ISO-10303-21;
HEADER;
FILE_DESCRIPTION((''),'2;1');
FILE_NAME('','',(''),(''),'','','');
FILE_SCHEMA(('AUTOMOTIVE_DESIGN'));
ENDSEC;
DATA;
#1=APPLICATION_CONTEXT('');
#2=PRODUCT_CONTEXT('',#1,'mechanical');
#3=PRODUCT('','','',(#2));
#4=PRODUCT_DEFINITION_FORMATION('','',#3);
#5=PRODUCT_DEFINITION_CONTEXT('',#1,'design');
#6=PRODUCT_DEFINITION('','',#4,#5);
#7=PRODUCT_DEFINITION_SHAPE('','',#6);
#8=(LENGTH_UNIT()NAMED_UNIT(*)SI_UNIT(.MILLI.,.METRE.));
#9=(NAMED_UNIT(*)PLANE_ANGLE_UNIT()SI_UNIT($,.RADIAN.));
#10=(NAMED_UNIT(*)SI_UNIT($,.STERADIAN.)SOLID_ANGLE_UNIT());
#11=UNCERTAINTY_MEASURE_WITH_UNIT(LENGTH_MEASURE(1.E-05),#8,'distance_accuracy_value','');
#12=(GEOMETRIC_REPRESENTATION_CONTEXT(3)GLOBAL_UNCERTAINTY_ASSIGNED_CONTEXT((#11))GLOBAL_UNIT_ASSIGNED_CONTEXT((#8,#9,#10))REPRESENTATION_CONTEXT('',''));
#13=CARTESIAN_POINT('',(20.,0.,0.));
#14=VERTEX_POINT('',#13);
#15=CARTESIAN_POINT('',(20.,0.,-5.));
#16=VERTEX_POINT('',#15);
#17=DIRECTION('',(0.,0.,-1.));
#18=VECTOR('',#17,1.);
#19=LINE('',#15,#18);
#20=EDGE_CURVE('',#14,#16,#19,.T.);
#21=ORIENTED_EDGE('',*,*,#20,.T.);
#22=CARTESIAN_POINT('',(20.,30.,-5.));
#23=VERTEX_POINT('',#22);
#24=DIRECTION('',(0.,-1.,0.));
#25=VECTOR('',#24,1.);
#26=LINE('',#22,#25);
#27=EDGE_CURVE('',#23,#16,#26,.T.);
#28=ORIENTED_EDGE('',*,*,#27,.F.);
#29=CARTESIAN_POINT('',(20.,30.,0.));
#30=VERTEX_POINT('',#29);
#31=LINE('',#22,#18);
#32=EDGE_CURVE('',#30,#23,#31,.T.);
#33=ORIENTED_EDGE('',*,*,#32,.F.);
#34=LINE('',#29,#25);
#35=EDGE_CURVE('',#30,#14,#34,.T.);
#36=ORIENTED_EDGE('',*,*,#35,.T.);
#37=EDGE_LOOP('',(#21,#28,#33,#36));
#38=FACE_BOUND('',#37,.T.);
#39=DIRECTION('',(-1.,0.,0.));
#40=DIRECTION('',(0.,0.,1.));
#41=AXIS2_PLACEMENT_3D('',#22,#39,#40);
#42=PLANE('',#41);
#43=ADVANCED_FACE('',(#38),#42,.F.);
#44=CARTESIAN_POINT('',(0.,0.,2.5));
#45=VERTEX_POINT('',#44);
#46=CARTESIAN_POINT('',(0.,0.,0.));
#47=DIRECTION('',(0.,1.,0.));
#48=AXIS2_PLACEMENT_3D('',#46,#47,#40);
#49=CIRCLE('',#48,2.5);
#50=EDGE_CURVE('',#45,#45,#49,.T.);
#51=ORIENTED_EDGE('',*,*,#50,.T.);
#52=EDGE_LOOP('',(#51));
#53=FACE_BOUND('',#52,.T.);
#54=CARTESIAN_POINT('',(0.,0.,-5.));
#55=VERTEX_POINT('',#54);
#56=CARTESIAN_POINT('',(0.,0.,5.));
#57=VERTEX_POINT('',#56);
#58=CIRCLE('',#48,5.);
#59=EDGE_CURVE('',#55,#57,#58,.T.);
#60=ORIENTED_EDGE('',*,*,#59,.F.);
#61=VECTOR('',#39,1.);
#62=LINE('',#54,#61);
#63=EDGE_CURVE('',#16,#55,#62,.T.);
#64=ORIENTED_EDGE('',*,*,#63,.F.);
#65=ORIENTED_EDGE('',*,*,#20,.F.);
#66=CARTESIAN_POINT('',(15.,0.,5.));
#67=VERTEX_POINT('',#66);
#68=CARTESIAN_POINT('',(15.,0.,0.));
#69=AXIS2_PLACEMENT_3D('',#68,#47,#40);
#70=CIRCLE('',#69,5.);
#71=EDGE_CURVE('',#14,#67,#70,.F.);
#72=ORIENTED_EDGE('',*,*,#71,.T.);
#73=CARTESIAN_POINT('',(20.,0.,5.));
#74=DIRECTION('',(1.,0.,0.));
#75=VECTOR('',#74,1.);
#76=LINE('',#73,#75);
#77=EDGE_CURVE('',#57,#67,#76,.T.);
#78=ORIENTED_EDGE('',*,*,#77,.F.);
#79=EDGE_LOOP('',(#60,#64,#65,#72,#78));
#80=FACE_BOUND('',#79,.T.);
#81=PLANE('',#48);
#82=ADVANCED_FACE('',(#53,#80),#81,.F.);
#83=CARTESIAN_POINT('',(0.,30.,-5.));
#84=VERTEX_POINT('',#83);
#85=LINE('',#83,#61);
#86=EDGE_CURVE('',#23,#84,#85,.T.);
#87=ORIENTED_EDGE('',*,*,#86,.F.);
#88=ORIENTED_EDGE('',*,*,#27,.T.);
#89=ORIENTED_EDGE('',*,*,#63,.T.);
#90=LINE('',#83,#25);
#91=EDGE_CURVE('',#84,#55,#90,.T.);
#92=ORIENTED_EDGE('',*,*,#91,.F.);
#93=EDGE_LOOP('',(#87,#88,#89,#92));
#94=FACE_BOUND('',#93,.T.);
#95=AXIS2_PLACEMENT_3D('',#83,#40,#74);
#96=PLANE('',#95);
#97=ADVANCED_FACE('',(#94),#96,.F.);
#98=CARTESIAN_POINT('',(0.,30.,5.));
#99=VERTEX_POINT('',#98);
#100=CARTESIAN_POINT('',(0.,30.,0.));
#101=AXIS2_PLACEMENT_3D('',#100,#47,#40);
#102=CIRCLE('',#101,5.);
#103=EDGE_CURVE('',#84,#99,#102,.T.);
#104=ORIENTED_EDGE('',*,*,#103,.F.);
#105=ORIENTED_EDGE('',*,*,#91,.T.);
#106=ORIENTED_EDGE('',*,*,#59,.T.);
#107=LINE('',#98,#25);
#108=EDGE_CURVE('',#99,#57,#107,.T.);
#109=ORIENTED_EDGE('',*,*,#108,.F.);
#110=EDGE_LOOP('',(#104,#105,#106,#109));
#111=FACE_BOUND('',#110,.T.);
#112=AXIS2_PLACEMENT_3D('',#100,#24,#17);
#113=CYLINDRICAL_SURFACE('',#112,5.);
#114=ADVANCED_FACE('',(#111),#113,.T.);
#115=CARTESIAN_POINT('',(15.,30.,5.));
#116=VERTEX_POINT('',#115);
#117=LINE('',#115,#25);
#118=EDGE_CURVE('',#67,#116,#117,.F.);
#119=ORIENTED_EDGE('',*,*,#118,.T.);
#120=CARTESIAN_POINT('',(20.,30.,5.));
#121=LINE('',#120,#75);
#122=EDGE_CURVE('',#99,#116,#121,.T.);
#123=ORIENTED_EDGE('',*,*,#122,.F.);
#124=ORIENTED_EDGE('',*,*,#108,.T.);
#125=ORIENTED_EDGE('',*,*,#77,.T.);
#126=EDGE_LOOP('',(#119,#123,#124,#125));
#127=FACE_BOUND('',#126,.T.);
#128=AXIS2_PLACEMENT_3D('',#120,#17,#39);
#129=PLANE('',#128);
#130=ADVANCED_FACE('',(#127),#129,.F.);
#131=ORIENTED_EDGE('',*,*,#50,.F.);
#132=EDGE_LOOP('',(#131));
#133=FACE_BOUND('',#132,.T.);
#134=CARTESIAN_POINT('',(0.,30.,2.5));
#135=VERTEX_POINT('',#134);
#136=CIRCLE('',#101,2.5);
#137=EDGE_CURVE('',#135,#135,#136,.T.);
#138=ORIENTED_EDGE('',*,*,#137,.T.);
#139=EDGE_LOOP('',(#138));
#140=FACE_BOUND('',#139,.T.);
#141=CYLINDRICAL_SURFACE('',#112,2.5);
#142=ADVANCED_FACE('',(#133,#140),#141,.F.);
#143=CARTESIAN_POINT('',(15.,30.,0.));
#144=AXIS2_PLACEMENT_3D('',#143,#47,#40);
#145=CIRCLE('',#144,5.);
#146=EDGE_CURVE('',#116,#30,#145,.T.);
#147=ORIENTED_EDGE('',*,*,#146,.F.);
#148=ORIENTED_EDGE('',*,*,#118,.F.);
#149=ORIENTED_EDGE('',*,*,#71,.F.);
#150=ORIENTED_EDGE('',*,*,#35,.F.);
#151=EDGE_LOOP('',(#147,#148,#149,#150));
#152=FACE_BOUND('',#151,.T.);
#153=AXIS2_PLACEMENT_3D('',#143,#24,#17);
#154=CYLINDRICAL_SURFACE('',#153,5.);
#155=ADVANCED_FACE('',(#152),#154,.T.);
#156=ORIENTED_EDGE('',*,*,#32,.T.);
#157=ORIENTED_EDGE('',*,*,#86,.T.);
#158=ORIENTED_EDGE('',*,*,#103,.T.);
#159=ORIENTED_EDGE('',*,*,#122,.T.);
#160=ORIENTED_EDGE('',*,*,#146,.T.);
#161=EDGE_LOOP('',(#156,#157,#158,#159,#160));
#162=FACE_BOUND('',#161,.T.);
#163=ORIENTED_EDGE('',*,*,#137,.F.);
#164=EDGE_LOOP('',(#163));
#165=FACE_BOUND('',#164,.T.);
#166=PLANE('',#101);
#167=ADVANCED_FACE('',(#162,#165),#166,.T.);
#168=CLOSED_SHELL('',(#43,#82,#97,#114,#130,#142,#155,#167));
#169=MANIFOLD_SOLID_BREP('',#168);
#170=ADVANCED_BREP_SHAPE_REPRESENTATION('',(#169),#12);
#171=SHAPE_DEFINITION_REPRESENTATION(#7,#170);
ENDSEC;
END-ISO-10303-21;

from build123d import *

# Parameters (mm, degrees)
SKETCH1_R           = 2.5
BOSS_EXTRUDE1_DEPTH = 30
FILLET1_R           = 5


with BuildPart() as part:
    # Sketch1 → Boss-Extrude1 (new body)
    with BuildSketch(Plane(origin=(0, 0, 0), x_dir=(1, 0, 0), z_dir=(0, 1, 0))):
        with BuildLine():
            Line((0, 5), (20, 5))
            Line((20, 5), (20, -5))
            Line((20, -5), (0, -5))
            ThreePointArc((0, -5), (-5, 0), (0, 5))
        make_face()
        with Locations(Location((0, 0, 0), (0, 0, 270))):
            Circle(SKETCH1_R, mode=Mode.SUBTRACT)
    extrude(amount=BOSS_EXTRUDE1_DEPTH)

    # Fillet1
    fillet1_edges = [part.edges().sort_by_distance(p)[0] for p in [
        (20, 15, 5),
    ]]
    fillet(fillet1_edges, radius=FILLET1_R)


solid = part.part
